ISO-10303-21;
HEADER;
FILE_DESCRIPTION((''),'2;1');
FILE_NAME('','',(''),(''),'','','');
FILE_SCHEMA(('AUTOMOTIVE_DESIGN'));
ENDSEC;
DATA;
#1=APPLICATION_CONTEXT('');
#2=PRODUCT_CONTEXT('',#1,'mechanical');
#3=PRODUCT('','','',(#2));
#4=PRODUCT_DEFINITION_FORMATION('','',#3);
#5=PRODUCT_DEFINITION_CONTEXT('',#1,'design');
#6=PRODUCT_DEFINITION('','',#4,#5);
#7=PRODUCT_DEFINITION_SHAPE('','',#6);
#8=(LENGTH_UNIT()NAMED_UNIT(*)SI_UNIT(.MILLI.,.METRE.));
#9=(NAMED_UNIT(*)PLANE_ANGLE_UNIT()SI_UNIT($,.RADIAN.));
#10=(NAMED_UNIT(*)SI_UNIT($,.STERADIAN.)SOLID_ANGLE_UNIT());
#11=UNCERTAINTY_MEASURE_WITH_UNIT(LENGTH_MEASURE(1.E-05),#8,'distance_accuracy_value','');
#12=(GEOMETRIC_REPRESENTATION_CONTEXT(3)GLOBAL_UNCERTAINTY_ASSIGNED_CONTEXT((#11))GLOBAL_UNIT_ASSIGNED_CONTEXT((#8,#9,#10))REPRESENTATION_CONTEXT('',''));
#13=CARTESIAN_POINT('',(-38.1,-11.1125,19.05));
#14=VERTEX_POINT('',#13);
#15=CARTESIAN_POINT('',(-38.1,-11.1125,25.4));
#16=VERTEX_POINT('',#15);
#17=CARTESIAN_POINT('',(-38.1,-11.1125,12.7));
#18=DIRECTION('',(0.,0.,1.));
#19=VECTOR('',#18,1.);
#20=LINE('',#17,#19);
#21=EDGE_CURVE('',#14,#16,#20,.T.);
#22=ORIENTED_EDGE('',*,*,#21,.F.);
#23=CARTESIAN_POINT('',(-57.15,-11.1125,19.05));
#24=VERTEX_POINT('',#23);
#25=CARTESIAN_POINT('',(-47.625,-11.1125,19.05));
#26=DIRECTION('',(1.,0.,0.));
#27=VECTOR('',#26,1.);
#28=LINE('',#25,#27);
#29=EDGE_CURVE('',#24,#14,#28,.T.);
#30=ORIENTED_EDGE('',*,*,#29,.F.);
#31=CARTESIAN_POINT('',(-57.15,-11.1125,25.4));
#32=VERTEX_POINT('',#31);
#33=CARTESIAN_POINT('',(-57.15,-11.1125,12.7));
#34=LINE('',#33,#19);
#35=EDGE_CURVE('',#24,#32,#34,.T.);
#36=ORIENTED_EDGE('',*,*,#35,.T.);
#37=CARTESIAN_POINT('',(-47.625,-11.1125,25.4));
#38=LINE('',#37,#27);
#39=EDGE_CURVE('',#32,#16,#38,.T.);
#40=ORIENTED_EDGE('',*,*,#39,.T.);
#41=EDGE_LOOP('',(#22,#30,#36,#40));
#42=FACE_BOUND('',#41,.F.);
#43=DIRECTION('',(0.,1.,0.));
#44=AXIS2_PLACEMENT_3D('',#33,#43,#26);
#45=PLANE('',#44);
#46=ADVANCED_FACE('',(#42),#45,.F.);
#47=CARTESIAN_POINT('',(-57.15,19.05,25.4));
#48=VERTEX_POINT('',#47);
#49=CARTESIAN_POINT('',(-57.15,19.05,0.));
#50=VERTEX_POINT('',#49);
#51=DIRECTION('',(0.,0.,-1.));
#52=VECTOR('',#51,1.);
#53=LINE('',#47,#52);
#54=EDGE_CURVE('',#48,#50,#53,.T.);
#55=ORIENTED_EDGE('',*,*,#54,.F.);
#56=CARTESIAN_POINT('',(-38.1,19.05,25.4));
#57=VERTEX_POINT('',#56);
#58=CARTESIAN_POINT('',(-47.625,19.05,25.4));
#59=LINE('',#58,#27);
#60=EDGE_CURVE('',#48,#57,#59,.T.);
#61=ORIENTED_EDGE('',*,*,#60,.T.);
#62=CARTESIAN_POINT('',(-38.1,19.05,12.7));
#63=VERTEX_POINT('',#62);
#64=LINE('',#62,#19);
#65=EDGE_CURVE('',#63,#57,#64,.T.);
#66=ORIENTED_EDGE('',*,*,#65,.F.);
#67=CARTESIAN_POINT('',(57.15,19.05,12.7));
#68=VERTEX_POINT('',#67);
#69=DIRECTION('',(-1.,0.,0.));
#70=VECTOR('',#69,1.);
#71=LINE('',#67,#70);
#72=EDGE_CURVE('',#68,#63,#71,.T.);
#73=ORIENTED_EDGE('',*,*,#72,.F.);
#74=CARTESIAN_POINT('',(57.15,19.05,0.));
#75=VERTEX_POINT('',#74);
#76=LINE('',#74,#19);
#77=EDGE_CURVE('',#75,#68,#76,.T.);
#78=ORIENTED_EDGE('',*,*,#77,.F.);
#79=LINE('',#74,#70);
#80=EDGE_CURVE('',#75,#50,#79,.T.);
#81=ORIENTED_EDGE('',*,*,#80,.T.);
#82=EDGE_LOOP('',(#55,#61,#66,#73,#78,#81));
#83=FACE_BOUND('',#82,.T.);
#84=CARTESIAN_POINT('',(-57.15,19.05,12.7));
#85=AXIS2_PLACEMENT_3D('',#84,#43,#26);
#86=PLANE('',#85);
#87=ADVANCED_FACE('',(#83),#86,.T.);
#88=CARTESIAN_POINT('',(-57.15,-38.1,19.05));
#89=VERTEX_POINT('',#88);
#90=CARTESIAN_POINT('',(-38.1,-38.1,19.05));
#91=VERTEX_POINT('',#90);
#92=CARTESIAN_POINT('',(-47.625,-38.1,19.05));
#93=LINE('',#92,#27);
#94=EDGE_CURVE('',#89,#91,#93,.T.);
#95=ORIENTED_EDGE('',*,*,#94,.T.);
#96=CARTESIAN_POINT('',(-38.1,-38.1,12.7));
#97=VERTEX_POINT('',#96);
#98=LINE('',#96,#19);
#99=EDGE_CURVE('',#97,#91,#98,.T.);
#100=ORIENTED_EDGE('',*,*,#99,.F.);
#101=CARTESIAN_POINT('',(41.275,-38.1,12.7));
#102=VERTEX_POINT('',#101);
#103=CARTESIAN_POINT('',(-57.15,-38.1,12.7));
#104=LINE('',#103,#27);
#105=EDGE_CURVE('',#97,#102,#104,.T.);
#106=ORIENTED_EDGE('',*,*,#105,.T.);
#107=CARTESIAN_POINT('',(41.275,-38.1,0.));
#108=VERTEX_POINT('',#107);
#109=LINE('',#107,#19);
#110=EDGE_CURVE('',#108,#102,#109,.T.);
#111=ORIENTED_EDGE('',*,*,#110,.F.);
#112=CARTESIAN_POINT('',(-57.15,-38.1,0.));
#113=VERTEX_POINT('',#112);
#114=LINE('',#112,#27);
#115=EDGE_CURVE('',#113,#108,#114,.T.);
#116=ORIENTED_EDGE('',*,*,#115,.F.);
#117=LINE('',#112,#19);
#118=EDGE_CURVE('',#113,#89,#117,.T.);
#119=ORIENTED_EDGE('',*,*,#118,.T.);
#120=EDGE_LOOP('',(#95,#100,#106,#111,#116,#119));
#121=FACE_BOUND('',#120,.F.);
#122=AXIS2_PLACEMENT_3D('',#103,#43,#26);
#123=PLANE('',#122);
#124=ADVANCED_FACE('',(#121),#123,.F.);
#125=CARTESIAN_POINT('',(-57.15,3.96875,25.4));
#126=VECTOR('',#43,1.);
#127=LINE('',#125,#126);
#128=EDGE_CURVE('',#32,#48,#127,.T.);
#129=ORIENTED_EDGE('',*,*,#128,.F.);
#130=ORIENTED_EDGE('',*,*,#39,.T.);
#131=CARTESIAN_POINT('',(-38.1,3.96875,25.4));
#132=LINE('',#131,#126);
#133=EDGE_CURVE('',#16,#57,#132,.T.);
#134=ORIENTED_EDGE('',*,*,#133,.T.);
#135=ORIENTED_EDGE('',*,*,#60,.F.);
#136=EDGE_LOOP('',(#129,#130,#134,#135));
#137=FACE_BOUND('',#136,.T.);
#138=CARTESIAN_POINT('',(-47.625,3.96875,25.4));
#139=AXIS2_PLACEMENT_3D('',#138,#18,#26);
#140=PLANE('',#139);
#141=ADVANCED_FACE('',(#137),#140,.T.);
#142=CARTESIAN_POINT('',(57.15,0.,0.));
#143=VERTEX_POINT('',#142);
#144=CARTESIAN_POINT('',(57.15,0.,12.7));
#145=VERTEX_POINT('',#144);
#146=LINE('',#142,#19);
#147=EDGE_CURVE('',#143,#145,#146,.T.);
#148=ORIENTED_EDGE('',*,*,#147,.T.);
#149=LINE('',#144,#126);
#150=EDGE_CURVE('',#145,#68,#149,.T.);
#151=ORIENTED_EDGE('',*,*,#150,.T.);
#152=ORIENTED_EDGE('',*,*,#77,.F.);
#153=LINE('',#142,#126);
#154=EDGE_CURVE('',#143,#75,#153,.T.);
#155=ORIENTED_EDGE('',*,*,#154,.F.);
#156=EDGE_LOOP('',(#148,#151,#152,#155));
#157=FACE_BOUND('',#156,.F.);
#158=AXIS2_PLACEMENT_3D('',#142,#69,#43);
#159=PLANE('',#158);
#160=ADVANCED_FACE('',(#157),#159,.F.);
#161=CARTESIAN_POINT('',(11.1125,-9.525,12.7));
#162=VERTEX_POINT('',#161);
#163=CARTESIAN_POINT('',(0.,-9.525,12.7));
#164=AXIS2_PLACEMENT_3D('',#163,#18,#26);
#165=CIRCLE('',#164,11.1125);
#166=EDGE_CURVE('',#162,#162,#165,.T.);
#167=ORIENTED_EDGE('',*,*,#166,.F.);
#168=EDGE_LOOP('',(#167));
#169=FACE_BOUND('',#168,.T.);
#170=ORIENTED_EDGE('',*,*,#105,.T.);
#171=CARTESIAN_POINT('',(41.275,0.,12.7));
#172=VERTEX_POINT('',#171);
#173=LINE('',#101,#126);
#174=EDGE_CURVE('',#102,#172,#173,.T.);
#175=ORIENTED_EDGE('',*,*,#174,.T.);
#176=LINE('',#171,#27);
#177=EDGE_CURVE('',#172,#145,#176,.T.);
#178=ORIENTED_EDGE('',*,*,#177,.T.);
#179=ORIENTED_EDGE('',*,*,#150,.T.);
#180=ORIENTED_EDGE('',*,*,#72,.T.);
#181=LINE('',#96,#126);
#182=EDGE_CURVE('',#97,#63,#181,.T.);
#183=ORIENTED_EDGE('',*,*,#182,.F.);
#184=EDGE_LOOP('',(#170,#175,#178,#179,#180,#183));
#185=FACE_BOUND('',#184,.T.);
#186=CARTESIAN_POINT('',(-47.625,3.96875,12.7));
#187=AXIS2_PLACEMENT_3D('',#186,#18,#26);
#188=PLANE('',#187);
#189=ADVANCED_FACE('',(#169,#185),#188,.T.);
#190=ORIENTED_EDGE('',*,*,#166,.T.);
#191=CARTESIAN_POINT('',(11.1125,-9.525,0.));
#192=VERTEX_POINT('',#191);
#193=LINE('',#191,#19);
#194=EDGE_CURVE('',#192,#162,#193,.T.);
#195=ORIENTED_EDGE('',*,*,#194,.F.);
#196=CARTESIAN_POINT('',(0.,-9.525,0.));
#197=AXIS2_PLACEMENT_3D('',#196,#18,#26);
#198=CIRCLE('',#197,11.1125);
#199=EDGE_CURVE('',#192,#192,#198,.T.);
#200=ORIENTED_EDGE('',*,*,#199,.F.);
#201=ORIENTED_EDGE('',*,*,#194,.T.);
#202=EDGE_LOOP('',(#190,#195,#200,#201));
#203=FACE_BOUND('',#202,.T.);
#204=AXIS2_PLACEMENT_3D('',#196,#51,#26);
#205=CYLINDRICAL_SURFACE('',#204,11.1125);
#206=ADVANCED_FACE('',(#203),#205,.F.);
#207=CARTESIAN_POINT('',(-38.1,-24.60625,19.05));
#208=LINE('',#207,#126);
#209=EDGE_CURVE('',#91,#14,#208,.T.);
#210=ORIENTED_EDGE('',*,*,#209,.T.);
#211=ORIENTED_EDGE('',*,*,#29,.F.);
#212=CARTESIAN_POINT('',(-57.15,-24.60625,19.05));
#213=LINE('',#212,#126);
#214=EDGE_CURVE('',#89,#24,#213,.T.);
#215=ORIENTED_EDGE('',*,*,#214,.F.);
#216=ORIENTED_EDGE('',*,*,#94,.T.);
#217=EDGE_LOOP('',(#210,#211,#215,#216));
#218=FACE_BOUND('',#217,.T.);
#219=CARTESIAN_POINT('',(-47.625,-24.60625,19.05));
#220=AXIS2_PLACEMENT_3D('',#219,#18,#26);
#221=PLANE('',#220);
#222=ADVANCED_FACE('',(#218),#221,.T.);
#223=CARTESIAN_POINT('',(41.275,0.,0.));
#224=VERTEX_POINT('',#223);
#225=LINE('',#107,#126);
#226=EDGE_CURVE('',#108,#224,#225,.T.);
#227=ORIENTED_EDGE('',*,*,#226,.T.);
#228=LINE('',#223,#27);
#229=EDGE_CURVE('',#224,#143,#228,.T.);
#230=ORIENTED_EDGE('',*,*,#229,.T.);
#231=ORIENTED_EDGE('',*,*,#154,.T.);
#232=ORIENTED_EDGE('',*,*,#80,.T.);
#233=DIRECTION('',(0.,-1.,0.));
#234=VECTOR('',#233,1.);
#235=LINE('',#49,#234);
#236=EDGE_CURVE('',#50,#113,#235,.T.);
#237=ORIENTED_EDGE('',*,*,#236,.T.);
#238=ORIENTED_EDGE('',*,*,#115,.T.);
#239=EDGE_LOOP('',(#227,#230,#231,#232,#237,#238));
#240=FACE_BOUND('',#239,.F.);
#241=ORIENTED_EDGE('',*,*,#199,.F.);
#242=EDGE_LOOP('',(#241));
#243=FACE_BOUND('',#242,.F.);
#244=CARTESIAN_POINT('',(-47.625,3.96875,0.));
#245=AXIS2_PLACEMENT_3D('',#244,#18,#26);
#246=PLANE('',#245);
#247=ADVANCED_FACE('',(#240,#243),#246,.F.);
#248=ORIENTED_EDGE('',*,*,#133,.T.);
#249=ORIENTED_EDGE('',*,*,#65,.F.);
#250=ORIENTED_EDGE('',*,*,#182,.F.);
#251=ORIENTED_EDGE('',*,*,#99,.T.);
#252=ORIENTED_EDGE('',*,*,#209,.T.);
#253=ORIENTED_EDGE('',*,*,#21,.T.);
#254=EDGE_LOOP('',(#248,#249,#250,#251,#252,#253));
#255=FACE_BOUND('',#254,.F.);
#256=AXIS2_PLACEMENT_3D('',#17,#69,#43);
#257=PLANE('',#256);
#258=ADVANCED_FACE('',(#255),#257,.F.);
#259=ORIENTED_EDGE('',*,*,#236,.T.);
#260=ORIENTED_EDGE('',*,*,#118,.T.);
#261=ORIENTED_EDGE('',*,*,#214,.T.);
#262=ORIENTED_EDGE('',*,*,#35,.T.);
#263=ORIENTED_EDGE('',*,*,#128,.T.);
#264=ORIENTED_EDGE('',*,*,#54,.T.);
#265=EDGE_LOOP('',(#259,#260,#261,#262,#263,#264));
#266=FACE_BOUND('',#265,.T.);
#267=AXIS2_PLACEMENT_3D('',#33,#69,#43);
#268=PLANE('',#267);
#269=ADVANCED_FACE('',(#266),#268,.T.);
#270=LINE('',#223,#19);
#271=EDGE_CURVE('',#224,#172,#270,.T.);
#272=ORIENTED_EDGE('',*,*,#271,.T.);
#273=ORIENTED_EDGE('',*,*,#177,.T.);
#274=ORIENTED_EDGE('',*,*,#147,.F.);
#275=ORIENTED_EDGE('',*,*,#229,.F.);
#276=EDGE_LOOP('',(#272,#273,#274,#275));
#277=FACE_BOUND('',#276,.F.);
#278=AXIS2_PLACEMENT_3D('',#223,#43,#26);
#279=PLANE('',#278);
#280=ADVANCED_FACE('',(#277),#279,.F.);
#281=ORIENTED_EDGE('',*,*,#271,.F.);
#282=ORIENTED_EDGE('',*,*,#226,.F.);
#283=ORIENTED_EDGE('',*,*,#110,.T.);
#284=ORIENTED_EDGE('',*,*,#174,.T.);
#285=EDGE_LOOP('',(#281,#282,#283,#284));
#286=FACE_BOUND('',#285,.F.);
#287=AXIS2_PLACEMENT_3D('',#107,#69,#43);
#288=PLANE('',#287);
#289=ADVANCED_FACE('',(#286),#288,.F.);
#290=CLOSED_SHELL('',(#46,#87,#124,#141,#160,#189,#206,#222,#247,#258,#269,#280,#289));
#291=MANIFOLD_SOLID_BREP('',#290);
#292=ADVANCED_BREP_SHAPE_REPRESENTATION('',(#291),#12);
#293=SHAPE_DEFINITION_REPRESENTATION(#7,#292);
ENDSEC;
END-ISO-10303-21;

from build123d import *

# Parameters (mm, degrees)
F0_W     = 19.05
F0_H     = 30.1625
F0_R     = 11.1125
F0_H_2   = 26.9875
F1_DEPTH = 12.7
F2_W     = 19.05
F2_H     = 26.9875
F3_DEPTH = 6.35
F2_H_2   = 30.1625
F4_DEPTH = 12.7


with BuildPart() as f1:
    # F0 (on Top) → F1 (new body)
    with BuildSketch(Plane.XY):
        with Locations((-47.625, 3.96875)):
            Rectangle(F0_W, F0_H)
        Polygon((0, 19.05), (-38.1, 19.05), (-38.1, -11.1125), (-38.1, -38.1), (41.275, -38.1), (41.275, 0), (57.15, 0), (57.15, 19.05), align=None)
        with Locations((0, -9.525)):
            Circle(F0_R, mode=Mode.SUBTRACT)
        with Locations((-47.625, -24.60625)):
            Rectangle(F0_W, F0_H_2)
    extrude(amount=F1_DEPTH)

    # F2 (on face) → F3 (join)
    with BuildSketch(Plane.XY.offset(12.7)):
        with Locations((-47.625, -24.60625)):
            Rectangle(F2_W, F2_H)
    extrude(amount=F3_DEPTH)

    # F2 (on face) → F4 (join)
    with BuildSketch(Plane.XY.offset(12.7)):
        with Locations((-47.625, 3.96875)):
            Rectangle(F2_W, F2_H_2)
    extrude(amount=F4_DEPTH)


solid = f1.part
